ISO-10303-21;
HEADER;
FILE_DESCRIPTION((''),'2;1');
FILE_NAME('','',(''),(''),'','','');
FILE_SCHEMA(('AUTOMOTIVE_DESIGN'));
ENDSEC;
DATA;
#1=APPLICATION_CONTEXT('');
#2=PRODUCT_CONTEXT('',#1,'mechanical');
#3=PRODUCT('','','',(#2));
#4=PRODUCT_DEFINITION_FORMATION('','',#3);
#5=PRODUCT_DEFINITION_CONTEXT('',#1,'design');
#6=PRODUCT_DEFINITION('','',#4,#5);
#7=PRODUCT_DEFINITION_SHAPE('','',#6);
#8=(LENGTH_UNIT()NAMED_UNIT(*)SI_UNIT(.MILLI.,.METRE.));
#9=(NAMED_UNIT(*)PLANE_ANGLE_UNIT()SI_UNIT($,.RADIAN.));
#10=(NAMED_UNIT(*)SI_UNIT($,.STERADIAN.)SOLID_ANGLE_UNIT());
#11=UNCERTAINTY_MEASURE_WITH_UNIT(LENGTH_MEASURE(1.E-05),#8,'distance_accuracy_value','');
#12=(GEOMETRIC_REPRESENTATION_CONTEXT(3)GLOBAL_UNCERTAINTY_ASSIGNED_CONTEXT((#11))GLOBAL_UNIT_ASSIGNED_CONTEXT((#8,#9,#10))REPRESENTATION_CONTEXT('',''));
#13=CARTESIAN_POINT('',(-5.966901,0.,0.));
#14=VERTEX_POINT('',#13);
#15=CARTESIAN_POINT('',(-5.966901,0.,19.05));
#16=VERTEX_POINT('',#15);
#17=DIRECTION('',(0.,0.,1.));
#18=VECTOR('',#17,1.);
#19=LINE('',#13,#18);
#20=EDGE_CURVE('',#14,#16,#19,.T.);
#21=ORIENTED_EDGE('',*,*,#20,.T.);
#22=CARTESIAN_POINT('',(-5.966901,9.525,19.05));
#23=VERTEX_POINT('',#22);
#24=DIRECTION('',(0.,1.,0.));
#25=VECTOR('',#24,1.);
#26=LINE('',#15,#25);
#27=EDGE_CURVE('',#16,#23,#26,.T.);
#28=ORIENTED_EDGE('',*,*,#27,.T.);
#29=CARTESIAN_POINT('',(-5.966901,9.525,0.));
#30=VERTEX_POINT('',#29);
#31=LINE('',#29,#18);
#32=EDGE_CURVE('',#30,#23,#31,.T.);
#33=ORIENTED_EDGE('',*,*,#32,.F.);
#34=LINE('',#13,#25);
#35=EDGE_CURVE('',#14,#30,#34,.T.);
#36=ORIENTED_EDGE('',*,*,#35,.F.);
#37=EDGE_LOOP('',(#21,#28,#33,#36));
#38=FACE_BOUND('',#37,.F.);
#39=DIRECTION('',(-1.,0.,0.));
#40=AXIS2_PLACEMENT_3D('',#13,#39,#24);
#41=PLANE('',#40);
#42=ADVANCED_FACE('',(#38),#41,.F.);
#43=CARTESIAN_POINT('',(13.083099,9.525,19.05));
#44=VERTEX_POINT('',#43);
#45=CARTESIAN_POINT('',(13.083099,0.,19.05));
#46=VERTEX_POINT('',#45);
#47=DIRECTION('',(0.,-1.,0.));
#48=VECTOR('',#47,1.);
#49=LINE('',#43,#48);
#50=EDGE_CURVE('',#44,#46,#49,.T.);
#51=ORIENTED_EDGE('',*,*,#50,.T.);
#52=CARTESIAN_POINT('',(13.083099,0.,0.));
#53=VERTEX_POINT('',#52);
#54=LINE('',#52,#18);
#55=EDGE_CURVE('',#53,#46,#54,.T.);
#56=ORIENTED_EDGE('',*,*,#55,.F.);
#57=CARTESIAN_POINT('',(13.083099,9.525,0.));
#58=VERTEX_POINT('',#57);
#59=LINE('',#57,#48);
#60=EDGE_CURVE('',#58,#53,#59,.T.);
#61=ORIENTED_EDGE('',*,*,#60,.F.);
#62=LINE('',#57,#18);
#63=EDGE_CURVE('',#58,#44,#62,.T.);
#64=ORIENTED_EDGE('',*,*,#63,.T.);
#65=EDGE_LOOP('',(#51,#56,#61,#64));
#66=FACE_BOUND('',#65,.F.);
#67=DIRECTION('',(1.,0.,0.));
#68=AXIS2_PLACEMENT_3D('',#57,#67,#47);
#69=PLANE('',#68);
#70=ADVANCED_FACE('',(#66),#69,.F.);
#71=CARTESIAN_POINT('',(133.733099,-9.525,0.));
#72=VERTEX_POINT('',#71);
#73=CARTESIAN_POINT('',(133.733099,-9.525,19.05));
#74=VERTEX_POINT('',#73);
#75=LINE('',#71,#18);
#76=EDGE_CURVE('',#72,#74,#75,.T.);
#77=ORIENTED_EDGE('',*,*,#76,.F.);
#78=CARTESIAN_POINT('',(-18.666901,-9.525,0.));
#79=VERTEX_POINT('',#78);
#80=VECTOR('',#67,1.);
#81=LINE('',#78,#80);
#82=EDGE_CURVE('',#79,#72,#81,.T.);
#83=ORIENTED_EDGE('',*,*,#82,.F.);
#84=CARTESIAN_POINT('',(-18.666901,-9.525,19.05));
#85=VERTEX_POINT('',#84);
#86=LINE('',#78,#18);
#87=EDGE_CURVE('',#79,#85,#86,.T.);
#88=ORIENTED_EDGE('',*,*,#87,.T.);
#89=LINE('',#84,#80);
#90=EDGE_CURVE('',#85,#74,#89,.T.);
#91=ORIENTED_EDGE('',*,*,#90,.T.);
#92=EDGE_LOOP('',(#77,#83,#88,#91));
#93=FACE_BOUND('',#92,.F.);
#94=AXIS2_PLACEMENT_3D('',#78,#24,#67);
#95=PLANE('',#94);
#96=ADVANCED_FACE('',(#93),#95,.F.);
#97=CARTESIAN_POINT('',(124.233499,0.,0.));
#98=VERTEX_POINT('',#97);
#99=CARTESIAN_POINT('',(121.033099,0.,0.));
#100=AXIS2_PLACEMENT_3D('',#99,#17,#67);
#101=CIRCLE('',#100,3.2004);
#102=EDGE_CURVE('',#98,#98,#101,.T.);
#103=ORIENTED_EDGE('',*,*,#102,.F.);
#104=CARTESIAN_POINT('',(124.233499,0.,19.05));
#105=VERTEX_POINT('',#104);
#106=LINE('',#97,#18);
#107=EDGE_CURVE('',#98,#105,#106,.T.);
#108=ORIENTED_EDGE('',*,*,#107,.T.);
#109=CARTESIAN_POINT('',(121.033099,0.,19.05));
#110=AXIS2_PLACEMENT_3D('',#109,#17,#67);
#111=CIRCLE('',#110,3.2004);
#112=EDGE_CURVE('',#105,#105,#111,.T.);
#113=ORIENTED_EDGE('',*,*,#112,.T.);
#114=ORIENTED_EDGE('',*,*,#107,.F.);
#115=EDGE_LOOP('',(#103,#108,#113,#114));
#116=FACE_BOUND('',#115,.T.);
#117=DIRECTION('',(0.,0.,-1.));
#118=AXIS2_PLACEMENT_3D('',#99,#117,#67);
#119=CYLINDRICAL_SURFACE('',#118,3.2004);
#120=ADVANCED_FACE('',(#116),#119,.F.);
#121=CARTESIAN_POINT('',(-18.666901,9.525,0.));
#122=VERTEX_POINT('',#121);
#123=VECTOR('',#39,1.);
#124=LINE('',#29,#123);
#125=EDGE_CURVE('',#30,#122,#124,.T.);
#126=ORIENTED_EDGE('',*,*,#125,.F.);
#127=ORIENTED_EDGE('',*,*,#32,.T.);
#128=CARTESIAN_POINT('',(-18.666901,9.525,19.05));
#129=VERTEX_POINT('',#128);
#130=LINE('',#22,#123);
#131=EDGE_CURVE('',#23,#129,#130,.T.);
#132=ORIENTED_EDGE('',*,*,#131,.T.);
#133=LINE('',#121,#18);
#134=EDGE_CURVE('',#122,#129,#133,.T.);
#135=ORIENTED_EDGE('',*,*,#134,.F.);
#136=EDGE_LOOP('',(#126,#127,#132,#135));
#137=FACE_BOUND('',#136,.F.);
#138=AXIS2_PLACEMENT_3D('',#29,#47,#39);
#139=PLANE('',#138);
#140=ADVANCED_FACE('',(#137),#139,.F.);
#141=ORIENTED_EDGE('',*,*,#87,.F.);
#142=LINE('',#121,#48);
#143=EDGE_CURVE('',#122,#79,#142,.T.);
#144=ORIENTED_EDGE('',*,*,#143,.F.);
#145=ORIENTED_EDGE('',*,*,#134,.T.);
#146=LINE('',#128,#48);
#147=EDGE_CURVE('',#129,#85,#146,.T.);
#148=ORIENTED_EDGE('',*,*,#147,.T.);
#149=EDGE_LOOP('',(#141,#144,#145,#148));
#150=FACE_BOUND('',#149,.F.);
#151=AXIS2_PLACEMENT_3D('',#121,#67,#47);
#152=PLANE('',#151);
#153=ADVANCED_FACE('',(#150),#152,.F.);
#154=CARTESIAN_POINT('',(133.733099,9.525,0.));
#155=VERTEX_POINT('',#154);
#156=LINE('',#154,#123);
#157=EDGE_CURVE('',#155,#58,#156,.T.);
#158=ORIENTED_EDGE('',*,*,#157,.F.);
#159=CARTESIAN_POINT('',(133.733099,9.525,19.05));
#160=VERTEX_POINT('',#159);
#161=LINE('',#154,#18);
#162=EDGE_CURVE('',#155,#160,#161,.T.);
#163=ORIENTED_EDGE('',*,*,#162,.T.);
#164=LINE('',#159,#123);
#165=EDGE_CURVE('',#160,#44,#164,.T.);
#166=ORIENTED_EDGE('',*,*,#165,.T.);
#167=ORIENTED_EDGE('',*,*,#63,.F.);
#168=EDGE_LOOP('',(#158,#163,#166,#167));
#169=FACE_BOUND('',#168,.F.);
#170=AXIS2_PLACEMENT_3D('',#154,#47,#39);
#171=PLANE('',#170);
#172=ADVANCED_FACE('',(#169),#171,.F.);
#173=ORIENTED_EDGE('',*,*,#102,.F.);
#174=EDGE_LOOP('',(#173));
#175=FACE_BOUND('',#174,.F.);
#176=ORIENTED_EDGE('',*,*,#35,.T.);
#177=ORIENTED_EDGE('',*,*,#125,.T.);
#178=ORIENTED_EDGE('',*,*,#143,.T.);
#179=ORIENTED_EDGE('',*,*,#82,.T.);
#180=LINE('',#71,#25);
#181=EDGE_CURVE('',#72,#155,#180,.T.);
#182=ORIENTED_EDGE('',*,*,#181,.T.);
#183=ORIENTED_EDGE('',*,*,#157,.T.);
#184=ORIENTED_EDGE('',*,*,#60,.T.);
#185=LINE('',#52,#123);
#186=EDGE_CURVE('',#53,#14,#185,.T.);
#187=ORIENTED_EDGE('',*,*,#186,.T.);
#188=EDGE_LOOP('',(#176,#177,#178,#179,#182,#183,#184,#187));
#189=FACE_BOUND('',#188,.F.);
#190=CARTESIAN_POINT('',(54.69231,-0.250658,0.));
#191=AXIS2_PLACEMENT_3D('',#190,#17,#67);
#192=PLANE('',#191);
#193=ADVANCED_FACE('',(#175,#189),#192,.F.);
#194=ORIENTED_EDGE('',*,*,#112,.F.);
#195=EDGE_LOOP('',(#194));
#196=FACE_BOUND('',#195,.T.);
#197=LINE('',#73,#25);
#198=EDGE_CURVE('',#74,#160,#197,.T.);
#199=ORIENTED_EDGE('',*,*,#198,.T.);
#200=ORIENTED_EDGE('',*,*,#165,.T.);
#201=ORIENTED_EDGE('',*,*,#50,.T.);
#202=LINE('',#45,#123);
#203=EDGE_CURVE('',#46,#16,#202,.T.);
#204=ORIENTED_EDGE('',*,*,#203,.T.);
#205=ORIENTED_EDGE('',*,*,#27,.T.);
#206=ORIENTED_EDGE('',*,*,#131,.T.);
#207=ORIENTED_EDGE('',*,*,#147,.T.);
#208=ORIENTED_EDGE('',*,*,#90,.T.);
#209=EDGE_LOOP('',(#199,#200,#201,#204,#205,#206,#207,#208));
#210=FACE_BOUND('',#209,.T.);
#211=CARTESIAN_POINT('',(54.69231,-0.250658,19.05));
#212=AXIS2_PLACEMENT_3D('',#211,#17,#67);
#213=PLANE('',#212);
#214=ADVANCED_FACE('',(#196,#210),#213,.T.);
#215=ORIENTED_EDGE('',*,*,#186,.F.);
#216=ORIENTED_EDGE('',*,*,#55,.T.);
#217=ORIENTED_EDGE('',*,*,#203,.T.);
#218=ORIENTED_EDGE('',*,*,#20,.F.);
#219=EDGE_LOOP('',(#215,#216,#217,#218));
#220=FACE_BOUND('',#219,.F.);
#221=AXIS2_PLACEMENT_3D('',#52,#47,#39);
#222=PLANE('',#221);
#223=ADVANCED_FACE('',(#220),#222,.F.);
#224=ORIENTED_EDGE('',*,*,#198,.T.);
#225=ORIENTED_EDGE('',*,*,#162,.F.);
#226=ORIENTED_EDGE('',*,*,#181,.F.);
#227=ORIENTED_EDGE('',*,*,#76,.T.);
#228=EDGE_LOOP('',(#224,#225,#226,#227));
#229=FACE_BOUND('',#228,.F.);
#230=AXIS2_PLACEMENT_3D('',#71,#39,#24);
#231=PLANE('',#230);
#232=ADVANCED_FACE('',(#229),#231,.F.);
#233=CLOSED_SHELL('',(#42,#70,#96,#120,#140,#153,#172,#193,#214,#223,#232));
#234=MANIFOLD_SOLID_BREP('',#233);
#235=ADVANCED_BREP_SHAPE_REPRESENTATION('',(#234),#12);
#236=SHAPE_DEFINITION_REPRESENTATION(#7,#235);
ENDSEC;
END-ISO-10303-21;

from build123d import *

# Parameters (mm, degrees)
F0_R     = 3.2004
F1_DEPTH = 19.05


with BuildPart() as f1:
    # F0 (on Top) → F1 (new body)
    with BuildSketch(Plane.XY):
        Polygon((-5.966901, 9.525), (-18.666901, 9.525), (-18.666901, -9.525), (133.733099, -9.525), (133.733099, 9.525), (13.083099, 9.525), (13.083099, 0), (-5.966901, 0), align=None)
        with Locations((121.033099, 0)):
            Circle(F0_R, mode=Mode.SUBTRACT)
    extrude(amount=F1_DEPTH)


solid = f1.part
